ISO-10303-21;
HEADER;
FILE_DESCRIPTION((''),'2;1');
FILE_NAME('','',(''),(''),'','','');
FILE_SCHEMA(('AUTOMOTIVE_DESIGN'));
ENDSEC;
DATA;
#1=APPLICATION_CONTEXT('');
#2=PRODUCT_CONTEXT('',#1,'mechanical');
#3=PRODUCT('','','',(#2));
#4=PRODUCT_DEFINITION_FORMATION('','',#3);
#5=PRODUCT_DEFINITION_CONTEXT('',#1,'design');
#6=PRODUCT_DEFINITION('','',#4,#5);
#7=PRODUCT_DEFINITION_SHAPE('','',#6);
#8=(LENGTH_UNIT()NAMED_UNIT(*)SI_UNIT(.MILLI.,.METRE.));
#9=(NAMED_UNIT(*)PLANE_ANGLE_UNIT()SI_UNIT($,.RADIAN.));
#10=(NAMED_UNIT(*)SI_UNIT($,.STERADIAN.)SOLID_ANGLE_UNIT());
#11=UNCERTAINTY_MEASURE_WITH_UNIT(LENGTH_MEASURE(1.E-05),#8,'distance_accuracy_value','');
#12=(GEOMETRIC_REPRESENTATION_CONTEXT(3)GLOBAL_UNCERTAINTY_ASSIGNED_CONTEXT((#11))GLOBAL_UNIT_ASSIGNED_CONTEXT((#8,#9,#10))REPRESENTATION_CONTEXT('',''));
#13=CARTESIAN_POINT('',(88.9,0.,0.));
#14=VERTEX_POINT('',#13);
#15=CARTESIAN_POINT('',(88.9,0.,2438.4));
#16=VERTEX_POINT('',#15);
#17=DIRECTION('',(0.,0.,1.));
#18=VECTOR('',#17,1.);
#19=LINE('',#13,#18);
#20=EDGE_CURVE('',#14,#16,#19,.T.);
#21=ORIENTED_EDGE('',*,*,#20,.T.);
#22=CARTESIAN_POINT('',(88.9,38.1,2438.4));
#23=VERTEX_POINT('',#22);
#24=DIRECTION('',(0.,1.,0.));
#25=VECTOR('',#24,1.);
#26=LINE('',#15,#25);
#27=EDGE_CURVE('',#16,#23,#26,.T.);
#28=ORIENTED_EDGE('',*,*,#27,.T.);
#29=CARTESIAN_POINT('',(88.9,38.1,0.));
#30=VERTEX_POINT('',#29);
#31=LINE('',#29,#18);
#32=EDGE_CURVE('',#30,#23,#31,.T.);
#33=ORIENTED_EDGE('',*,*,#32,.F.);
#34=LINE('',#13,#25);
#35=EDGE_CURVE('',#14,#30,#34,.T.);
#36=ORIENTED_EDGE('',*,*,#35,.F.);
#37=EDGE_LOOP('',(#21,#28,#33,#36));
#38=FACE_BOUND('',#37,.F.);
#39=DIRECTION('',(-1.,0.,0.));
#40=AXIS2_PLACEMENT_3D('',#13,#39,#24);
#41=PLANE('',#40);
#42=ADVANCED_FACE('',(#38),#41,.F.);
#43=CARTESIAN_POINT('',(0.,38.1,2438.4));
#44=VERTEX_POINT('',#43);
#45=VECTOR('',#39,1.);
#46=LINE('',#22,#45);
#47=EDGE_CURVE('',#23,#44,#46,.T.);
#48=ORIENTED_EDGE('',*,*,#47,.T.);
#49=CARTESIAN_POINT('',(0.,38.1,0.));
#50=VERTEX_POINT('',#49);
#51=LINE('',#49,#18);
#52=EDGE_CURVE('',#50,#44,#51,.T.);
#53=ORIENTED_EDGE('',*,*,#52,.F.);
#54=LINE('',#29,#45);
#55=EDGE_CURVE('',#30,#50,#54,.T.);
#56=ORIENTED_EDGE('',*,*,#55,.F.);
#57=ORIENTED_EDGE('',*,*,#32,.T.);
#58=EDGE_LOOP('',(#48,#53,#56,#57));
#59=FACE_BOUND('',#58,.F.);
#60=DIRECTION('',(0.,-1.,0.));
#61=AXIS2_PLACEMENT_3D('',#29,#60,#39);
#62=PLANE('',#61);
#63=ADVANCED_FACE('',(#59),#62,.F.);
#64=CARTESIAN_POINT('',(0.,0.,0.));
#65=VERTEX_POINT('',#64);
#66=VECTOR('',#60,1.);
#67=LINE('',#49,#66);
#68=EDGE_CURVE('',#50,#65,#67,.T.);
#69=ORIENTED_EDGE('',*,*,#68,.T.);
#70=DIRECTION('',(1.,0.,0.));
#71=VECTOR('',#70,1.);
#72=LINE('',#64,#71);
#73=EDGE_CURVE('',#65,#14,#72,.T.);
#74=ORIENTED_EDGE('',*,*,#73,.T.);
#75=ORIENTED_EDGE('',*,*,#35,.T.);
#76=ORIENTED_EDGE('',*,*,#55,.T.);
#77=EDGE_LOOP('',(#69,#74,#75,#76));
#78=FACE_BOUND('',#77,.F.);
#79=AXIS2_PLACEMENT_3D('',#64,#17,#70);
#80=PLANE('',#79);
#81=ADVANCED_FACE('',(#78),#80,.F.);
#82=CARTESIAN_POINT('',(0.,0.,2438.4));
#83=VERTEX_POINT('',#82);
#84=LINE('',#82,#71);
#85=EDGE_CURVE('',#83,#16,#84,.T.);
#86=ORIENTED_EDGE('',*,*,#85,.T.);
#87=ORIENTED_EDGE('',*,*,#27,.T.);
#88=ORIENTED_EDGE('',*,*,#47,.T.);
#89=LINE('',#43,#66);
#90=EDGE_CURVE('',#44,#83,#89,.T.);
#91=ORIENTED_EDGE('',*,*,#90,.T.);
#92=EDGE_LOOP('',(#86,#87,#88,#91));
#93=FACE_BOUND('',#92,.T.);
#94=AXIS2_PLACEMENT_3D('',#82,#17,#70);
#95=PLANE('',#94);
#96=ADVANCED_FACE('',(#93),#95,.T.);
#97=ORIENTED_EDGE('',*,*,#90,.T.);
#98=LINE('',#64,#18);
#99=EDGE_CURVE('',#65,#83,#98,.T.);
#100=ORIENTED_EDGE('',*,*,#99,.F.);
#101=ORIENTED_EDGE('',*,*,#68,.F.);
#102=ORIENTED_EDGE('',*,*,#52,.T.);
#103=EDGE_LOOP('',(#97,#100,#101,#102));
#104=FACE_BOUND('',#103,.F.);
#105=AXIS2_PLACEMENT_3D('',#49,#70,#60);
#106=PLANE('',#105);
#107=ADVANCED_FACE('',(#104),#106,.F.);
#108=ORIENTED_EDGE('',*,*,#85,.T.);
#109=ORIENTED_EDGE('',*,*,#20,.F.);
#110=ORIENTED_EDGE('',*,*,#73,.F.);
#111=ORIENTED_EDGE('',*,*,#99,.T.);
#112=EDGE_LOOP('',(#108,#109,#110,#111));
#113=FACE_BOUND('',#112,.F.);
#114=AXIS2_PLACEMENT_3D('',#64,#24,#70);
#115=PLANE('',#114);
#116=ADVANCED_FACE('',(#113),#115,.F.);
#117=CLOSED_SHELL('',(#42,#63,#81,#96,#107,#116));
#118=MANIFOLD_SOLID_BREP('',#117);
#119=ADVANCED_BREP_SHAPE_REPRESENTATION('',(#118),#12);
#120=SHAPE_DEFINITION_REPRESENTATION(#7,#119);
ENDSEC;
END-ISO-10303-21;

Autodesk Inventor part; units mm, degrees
ref_plane "YZ Plane" through (0, 0, 0) normal (1, 0, 0) x (0, 1, 0)
ref_plane "XZ Plane" through (0, 0, 0) normal (0, 1, 0) x (-1, 0, 0)
ref_plane "XY Plane" through (0, 0, 0) normal (0, 0, 1) x (1, 0, 0)
sketch "Sketch1" plane through (0, 0, 0) normal (0, 0, 1) x (1, 0, 0)
  line L0 (0, 0) -> (88.9, 0)
  line L1 (88.9, 0) -> (88.9, 38.1)
  line L2 (88.9, 38.1) -> (0, 38.1)
  line L3 (0, 38.1) -> (0, 0)
  dimension "d0" = 38.1
  dimension "d1" = 88.9
extrude "Extrusion1" add sketch "Sketch1" along normal blind 2438.4
properties part number "2x4x48"
